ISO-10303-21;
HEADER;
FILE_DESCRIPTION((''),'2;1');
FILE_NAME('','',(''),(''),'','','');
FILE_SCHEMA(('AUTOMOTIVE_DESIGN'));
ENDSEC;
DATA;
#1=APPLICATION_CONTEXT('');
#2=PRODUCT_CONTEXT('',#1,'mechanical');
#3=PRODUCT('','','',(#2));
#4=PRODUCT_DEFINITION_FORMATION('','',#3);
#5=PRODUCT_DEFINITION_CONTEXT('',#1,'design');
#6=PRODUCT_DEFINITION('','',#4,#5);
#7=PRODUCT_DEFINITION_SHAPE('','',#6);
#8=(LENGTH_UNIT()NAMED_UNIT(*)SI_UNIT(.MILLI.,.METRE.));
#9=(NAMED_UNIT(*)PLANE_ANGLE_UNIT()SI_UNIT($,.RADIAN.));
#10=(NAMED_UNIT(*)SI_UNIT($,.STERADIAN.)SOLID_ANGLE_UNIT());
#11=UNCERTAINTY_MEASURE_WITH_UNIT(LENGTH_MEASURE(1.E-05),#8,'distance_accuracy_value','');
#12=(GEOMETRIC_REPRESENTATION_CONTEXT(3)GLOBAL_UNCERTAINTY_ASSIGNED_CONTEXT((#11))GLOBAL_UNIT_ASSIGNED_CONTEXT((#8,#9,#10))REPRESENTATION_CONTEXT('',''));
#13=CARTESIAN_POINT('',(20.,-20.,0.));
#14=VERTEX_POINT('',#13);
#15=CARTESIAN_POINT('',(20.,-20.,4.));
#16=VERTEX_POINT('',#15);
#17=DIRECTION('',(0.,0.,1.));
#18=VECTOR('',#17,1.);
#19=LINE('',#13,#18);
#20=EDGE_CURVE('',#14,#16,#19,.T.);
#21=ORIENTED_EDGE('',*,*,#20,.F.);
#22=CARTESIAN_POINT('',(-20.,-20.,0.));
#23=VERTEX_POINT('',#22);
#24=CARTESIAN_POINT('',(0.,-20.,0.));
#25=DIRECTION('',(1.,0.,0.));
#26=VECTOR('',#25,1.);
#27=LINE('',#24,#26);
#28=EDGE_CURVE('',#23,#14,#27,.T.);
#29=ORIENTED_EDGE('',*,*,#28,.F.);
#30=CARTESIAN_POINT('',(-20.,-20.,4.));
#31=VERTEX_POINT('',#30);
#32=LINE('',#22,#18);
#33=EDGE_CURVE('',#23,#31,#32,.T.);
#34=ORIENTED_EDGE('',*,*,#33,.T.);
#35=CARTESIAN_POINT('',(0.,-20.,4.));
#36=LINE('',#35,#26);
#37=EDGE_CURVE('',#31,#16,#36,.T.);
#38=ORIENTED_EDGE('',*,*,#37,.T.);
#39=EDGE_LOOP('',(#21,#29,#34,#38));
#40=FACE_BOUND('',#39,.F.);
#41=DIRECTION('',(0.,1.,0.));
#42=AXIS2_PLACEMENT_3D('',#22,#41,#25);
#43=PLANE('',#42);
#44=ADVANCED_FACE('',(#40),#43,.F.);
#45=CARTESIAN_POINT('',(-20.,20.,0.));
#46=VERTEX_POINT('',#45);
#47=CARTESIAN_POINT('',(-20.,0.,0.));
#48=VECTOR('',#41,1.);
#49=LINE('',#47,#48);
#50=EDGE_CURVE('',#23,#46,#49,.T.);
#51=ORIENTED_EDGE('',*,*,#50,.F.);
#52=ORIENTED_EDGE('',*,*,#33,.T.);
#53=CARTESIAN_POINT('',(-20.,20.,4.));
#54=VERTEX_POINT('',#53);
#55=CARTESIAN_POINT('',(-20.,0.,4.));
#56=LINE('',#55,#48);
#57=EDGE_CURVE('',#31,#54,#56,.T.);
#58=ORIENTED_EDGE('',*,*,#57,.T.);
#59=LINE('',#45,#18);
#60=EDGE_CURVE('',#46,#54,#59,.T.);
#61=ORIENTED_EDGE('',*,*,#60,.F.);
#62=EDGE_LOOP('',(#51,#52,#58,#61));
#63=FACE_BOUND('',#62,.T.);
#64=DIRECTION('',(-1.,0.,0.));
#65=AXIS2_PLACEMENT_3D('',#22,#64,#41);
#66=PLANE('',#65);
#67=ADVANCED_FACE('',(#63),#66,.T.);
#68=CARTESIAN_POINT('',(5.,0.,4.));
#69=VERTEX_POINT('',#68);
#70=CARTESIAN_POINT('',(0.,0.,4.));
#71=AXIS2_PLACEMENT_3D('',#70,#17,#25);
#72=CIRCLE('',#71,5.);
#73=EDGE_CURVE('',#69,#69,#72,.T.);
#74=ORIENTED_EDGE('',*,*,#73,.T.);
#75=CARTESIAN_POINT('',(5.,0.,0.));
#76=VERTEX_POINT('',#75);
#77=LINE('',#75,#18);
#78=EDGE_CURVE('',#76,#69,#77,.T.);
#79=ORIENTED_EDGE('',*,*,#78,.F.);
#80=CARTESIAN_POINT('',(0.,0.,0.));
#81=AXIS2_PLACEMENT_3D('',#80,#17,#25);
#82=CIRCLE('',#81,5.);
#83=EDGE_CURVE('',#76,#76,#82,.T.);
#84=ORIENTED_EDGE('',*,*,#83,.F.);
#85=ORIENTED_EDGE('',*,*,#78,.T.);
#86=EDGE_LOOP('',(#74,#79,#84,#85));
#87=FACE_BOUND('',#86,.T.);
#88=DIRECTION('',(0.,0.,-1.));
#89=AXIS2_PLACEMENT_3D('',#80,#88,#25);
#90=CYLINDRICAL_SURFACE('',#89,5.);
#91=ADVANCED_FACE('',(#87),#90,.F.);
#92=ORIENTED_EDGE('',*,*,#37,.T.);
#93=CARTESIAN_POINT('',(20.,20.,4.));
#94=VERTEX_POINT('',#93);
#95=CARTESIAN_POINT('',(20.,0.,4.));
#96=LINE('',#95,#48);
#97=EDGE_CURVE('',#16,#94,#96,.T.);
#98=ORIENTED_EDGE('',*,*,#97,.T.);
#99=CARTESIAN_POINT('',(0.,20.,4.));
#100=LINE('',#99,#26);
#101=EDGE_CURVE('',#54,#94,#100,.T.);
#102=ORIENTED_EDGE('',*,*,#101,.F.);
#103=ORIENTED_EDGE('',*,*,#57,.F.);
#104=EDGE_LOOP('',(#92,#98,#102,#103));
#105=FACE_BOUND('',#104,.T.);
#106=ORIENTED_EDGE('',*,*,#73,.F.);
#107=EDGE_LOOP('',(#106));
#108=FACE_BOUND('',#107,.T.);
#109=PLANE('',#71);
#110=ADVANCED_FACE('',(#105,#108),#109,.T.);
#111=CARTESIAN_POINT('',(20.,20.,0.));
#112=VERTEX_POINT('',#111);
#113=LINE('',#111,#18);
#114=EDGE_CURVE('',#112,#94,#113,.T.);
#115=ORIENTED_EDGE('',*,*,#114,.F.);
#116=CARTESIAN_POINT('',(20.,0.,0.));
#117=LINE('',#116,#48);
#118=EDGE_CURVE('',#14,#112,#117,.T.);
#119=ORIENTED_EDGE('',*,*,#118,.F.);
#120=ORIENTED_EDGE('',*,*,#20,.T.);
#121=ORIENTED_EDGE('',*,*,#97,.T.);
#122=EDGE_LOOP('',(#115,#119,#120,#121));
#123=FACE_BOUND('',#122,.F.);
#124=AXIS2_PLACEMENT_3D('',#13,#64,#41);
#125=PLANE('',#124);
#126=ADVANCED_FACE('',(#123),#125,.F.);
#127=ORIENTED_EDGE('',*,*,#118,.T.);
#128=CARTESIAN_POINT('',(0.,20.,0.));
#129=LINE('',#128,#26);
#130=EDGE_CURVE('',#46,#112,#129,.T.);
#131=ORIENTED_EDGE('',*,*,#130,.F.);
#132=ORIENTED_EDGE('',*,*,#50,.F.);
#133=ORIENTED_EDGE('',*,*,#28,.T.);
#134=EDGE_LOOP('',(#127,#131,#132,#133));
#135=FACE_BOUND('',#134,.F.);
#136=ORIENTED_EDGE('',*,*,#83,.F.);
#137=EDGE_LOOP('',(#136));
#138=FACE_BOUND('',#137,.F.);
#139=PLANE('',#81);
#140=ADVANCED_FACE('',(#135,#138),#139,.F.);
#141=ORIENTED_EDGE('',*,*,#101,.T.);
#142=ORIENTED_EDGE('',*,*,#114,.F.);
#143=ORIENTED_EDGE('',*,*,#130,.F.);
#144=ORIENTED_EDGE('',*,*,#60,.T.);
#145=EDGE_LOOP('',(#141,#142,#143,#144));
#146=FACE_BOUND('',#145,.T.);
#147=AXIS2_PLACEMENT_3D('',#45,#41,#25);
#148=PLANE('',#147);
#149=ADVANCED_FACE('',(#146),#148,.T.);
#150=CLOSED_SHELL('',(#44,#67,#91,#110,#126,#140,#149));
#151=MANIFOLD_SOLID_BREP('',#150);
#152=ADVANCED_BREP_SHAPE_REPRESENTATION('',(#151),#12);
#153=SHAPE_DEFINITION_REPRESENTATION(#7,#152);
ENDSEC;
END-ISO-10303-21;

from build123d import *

# Parameters (mm, degrees)
SKETCH_W      = 40
SKETCH_H      = 40
SKETCH_R      = 5
EXTRUDE_DEPTH = 4


with BuildPart() as part:
    # Sketch → Extrude (new body)
    with BuildSketch(Plane.XY):
        Rectangle(SKETCH_W, SKETCH_H)
        Circle(SKETCH_R, mode=Mode.SUBTRACT)
    extrude(amount=EXTRUDE_DEPTH)


solid = part.part
